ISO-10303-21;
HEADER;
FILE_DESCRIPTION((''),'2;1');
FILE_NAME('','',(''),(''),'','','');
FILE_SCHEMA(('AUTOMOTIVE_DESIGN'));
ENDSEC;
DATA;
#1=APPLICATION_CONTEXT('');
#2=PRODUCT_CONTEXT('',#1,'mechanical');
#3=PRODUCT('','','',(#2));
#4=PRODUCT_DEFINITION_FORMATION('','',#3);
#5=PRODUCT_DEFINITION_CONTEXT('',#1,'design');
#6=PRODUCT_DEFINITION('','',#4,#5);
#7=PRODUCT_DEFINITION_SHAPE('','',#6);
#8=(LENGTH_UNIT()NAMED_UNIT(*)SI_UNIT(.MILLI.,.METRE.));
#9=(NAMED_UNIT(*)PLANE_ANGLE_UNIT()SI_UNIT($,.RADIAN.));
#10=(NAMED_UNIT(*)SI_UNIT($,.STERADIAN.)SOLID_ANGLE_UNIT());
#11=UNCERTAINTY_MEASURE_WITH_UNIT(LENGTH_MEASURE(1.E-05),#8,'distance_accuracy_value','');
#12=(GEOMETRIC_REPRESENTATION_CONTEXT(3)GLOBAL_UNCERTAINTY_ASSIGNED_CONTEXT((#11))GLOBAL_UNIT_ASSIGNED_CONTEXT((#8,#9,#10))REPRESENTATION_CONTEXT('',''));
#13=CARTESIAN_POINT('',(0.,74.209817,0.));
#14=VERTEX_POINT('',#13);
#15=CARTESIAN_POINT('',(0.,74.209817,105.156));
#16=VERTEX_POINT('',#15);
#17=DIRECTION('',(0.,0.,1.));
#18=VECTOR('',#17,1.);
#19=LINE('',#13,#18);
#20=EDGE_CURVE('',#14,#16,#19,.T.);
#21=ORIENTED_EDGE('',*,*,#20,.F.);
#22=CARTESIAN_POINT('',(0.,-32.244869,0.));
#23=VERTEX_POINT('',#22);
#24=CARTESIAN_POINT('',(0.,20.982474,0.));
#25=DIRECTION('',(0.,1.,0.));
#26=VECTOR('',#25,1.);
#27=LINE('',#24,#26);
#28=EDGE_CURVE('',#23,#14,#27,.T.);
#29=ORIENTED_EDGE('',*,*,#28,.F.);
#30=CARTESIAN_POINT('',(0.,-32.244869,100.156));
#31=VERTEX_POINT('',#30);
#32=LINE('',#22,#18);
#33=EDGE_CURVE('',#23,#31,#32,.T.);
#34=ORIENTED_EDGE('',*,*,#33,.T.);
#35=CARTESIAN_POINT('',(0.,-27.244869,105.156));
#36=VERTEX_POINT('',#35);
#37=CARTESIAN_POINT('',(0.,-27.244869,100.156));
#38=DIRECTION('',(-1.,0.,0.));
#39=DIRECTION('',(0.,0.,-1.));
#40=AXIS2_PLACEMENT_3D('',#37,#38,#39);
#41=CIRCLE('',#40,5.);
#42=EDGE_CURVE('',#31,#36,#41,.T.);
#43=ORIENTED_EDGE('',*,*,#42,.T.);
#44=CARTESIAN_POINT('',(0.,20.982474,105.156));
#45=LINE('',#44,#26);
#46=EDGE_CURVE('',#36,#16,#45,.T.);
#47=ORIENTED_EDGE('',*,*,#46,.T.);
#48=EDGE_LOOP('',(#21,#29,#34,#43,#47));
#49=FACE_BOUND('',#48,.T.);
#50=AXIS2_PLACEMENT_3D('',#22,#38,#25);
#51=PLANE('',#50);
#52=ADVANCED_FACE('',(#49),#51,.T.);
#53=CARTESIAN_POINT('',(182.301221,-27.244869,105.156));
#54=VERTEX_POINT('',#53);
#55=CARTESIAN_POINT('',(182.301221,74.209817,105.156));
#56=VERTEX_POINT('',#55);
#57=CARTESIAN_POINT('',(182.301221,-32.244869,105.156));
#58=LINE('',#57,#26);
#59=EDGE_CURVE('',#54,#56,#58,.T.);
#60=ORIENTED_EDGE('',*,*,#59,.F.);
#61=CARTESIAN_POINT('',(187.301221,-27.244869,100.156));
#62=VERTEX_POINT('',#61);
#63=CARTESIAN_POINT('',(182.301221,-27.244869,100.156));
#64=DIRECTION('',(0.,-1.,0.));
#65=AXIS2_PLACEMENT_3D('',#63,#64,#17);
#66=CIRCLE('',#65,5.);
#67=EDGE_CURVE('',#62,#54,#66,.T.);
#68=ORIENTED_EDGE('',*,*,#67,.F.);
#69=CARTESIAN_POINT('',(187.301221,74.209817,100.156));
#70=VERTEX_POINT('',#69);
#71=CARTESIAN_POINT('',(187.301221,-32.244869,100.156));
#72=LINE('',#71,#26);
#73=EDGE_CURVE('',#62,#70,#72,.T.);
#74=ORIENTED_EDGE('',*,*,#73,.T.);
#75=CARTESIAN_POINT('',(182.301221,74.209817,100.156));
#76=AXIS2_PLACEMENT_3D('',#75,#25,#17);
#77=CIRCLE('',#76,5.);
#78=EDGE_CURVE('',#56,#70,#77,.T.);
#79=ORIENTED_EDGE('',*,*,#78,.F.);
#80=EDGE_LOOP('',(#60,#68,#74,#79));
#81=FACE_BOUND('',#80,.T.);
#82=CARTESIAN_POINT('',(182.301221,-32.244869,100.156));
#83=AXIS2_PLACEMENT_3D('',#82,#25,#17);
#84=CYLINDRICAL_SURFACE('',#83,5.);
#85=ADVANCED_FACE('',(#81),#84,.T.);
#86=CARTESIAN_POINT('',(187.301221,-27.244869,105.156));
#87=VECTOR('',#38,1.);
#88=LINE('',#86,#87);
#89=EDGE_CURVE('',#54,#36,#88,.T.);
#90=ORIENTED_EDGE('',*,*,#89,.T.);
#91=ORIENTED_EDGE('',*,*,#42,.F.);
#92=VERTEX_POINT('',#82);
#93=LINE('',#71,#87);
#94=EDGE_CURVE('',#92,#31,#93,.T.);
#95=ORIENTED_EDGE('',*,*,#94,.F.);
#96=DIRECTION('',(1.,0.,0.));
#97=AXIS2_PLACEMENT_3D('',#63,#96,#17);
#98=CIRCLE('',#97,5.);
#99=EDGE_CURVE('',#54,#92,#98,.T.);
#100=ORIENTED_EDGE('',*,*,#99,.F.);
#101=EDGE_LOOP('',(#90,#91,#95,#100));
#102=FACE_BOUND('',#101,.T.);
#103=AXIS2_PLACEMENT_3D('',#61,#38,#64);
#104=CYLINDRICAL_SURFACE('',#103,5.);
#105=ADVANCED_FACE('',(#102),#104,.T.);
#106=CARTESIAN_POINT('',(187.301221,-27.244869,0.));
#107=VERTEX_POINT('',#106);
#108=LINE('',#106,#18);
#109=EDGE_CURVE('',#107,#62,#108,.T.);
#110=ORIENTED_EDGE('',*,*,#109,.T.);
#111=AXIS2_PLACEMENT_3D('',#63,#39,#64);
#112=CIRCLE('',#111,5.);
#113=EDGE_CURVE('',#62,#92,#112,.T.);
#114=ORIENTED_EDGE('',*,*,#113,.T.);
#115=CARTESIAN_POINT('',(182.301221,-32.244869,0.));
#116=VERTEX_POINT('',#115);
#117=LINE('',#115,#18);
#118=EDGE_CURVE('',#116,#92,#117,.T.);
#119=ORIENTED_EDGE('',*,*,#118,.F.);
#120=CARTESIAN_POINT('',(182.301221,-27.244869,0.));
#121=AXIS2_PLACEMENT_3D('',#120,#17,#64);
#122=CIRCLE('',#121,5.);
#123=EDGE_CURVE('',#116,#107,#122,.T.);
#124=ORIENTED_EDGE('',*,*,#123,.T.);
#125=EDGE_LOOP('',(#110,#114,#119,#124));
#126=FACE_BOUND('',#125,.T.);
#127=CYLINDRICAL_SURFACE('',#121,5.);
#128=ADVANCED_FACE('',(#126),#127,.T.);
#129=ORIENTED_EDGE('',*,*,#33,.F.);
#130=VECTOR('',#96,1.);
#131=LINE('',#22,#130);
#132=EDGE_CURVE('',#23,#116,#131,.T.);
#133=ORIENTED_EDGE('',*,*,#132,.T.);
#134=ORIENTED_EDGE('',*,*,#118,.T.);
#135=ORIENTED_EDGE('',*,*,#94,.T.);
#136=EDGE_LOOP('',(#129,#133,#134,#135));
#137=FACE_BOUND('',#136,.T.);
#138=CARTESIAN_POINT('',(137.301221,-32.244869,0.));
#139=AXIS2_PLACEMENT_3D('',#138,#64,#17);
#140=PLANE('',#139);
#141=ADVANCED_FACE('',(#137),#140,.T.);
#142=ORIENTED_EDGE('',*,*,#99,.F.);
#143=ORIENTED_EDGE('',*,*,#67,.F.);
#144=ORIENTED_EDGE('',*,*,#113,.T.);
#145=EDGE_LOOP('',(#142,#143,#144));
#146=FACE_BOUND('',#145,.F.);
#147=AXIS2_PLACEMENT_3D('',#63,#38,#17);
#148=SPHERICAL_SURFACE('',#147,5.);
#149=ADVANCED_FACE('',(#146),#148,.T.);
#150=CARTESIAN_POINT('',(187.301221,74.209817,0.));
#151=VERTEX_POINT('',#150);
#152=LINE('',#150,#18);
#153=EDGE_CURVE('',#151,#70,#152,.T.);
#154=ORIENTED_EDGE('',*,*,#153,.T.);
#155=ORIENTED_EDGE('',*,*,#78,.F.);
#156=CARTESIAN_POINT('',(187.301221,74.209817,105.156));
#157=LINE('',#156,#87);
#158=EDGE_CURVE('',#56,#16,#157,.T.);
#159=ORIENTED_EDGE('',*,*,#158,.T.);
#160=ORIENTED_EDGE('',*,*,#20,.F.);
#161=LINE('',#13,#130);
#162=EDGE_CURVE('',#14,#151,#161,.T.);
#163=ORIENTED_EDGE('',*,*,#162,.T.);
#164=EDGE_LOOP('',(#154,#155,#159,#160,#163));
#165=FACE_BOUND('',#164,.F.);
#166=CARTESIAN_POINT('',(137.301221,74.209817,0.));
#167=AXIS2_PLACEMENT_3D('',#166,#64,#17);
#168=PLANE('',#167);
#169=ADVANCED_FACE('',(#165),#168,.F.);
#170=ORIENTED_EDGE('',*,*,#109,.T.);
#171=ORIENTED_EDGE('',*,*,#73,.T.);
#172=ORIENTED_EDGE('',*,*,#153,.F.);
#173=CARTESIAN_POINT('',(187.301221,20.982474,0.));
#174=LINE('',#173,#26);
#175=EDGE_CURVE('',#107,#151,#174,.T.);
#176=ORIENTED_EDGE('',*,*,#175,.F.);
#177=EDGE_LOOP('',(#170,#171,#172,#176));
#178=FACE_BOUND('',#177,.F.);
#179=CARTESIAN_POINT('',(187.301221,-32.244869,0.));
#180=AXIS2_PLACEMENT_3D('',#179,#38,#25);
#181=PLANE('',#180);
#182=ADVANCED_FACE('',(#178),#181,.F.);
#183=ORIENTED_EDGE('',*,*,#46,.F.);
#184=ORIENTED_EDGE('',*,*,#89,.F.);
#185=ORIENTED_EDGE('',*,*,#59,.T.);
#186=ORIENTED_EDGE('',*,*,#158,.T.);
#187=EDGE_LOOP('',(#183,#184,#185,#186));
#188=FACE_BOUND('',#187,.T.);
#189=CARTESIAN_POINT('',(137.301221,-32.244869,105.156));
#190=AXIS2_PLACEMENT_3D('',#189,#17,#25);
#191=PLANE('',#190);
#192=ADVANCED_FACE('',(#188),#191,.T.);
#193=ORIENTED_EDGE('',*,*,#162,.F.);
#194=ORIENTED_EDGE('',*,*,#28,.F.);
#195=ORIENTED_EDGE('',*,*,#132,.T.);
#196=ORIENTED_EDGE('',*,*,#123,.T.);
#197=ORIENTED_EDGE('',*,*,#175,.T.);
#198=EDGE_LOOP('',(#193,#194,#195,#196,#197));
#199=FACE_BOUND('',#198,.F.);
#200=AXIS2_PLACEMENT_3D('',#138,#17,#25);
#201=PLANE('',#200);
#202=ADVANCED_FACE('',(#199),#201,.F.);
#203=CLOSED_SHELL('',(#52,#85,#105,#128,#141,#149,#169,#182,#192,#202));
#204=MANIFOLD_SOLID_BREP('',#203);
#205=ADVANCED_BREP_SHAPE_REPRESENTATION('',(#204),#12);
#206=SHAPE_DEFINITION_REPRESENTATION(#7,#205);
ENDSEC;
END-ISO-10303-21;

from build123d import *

# Parameters (mm, degrees)
F0_W     = 137.3012214899
F0_H     = 106.4546853304
F1_DEPTH = 105.156
F2_DEPTH = 50
F3_R     = 5


with BuildPart() as f1:
    # F0 (on Top) → F1 (new body)
    with BuildSketch(Plane.XY):
        with Locations((68.650610745, 20.9824740887)):
            Rectangle(F0_W, F0_H)
    extrude(amount=F1_DEPTH)

    # F2 (add): a face of the model
    f2_faces = [f1.faces().sort_by_distance(p)[0] for p in [
        (137.3012214899, 20.9824740887, 52.578),
    ]]
    extrude(f2_faces, amount=F2_DEPTH)

    # F3
    f3_edges = [f1.edges().sort_by_distance(p)[0] for p in [
        (93.650611, -32.244869, 105.156),
        (187.301221, 20.982474, 105.156),
        (187.301221, -32.244869, 52.578),
    ]]
    fillet(f3_edges, radius=F3_R)


solid = f1.part
